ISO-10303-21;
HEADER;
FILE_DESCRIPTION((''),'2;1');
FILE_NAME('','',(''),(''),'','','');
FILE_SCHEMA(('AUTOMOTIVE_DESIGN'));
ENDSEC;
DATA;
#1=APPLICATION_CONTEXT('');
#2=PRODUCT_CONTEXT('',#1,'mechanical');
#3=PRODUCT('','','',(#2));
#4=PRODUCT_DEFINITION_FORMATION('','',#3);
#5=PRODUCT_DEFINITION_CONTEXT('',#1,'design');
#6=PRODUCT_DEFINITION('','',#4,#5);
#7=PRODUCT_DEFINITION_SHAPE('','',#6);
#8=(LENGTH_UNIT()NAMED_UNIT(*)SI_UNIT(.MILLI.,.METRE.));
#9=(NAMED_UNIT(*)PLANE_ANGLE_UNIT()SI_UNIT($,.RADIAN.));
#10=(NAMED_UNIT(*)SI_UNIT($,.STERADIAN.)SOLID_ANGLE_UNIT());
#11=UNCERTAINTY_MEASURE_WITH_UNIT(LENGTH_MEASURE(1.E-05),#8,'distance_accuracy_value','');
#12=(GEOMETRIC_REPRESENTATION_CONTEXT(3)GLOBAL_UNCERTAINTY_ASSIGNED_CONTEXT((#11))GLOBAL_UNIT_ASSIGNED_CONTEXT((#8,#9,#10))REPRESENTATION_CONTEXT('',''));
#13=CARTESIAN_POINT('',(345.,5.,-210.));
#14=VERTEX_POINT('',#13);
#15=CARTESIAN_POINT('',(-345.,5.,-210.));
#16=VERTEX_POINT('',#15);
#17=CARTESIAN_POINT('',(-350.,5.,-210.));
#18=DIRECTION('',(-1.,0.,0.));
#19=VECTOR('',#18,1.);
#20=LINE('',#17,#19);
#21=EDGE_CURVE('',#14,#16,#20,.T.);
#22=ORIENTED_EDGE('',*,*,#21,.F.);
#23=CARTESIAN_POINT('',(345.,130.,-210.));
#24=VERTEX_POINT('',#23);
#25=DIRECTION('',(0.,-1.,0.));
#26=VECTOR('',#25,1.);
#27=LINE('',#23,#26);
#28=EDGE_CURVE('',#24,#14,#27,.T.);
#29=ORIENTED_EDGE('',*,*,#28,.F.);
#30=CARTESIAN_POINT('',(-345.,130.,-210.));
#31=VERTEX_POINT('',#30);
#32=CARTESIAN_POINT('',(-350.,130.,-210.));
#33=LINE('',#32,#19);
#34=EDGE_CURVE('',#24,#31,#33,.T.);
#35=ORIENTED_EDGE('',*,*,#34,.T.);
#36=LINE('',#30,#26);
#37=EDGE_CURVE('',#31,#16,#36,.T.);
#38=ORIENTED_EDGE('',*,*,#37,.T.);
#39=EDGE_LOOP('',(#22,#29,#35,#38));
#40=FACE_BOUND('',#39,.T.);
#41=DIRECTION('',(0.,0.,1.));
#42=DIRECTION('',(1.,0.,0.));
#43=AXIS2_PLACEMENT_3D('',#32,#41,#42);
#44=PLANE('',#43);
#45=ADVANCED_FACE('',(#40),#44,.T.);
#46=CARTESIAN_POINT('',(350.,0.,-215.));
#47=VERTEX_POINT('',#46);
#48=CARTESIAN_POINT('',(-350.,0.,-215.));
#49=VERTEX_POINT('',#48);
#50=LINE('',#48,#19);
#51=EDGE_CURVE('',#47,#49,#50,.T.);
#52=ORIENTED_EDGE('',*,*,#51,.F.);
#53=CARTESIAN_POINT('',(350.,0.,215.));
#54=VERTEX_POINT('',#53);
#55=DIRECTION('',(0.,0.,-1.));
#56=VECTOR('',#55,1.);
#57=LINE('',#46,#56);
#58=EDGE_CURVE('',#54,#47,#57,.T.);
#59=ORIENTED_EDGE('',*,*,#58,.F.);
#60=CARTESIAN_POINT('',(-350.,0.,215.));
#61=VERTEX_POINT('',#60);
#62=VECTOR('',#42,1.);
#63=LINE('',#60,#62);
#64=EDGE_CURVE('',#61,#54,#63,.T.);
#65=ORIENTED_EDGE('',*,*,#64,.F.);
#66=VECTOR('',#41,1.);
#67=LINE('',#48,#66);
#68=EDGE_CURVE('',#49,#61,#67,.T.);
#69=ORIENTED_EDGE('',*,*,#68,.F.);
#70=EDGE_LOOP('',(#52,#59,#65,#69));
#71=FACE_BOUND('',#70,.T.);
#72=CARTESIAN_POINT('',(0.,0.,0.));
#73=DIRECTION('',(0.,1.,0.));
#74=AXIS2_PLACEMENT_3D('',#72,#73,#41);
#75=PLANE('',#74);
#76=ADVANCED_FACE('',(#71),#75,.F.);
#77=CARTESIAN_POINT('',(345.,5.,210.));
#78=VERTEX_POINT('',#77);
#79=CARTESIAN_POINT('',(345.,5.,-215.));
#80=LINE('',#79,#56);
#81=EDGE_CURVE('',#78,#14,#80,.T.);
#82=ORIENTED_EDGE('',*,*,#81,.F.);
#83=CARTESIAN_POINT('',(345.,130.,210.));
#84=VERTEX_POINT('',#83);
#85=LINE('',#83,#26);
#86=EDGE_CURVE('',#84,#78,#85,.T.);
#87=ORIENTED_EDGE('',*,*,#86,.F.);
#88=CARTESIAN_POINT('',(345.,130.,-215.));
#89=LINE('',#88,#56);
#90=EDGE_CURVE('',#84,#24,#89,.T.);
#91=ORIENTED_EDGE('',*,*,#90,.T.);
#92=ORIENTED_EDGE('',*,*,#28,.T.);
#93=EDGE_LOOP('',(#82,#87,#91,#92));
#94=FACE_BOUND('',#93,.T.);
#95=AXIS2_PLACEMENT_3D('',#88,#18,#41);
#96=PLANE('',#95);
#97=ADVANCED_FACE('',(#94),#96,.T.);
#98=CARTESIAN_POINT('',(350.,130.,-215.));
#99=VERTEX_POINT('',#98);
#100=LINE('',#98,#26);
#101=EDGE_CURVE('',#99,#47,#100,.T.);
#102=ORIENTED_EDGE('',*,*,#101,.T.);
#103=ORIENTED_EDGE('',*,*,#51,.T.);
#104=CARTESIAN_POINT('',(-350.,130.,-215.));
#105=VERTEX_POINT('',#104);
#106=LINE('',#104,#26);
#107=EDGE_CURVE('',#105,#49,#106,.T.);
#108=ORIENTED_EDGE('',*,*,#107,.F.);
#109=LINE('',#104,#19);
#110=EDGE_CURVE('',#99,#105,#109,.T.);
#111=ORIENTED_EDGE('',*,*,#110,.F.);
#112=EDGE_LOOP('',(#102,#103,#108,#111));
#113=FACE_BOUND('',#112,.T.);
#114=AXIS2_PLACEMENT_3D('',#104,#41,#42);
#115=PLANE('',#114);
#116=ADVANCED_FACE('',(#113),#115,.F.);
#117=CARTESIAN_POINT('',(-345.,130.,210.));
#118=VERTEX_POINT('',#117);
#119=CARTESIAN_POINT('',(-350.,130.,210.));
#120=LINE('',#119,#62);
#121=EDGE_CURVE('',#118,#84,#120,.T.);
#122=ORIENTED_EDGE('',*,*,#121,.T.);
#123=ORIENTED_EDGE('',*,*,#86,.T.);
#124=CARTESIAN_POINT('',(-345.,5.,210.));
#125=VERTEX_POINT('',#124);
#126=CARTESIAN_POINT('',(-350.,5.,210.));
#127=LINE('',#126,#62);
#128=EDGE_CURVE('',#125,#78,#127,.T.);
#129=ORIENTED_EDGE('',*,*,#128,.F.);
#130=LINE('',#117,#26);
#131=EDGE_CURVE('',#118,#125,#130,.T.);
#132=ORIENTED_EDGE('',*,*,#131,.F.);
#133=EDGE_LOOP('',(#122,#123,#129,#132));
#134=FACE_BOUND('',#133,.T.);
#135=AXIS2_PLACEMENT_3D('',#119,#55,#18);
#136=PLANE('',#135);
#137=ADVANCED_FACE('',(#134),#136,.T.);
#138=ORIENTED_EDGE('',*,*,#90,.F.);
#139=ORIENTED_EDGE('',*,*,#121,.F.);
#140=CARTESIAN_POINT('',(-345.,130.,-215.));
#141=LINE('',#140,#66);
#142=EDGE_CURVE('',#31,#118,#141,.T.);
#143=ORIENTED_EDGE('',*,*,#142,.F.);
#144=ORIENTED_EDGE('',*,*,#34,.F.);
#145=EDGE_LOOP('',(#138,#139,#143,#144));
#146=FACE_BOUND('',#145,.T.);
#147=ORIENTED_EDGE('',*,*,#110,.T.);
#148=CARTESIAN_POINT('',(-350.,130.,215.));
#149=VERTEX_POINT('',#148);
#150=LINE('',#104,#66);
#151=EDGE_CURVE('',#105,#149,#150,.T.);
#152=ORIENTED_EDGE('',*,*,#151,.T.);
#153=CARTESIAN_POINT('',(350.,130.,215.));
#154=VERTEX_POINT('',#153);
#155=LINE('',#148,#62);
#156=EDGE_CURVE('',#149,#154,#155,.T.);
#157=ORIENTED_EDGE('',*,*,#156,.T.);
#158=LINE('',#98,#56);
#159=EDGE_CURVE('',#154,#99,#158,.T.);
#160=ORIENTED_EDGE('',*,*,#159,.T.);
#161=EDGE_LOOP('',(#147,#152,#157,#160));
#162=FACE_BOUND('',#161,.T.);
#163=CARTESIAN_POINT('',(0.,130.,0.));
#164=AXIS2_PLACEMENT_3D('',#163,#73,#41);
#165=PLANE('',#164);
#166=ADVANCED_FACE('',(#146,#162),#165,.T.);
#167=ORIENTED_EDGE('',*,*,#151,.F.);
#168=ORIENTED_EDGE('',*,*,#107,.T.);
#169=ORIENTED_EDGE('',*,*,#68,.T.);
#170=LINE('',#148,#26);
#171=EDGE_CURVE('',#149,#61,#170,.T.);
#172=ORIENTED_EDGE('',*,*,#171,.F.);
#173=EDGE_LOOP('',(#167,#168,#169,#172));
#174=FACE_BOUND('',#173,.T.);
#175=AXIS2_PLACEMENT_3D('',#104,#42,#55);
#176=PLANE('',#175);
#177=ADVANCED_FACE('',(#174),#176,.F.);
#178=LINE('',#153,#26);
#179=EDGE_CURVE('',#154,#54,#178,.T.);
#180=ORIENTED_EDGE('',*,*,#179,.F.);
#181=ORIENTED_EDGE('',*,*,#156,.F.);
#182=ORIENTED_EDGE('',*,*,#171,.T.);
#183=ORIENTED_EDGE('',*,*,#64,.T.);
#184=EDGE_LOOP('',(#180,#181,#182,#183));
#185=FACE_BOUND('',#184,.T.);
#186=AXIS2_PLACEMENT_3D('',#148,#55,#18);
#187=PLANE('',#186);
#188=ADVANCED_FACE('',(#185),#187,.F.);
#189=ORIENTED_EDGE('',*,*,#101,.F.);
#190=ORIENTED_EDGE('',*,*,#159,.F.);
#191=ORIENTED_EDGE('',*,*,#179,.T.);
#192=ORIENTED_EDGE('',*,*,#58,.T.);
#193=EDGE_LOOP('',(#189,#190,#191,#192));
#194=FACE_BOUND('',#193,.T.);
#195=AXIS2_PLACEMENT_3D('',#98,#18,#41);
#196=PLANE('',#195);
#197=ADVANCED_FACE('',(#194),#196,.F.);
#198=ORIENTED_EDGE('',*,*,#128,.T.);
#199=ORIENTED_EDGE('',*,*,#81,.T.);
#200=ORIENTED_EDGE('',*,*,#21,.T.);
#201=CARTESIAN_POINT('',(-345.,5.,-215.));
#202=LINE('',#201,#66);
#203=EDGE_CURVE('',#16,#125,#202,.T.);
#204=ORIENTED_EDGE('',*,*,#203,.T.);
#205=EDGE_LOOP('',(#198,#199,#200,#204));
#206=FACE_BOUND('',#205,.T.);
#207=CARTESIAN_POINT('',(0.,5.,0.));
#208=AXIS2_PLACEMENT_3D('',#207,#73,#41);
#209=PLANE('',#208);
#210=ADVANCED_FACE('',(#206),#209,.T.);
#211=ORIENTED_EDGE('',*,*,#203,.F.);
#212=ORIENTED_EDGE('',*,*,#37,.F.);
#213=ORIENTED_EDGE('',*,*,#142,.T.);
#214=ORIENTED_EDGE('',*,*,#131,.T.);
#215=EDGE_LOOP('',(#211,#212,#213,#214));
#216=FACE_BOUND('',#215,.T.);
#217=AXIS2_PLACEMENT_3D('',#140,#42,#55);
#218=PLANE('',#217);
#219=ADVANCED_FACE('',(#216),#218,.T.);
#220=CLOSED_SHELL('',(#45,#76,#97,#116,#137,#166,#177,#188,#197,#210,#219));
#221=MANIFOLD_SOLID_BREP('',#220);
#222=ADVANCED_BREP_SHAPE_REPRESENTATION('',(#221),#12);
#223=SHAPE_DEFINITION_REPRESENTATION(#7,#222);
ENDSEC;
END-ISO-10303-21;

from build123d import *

# Parameters (mm, degrees)
SKETCH1_W           = 700
SKETCH1_H           = 430
BOSS_EXTRUDE1_DEPTH = 130
SHELL2_T            = -5


with BuildPart() as part:
    # Sketch1 → Boss-Extrude1 (new body)
    with BuildSketch(Plane(origin=(0, 0, 0), x_dir=(1, 0, 0), z_dir=(0, 1, 0))):
        Rectangle(SKETCH1_W, SKETCH1_H)
    extrude(amount=BOSS_EXTRUDE1_DEPTH)

    # Shell2
    shell2_openings = [part.faces().sort_by_distance(p)[0] for p in [
        (0, 130, 0),
    ]]
    offset(amount=SHELL2_T, openings=shell2_openings, kind=Kind.INTERSECTION)


solid = part.part
